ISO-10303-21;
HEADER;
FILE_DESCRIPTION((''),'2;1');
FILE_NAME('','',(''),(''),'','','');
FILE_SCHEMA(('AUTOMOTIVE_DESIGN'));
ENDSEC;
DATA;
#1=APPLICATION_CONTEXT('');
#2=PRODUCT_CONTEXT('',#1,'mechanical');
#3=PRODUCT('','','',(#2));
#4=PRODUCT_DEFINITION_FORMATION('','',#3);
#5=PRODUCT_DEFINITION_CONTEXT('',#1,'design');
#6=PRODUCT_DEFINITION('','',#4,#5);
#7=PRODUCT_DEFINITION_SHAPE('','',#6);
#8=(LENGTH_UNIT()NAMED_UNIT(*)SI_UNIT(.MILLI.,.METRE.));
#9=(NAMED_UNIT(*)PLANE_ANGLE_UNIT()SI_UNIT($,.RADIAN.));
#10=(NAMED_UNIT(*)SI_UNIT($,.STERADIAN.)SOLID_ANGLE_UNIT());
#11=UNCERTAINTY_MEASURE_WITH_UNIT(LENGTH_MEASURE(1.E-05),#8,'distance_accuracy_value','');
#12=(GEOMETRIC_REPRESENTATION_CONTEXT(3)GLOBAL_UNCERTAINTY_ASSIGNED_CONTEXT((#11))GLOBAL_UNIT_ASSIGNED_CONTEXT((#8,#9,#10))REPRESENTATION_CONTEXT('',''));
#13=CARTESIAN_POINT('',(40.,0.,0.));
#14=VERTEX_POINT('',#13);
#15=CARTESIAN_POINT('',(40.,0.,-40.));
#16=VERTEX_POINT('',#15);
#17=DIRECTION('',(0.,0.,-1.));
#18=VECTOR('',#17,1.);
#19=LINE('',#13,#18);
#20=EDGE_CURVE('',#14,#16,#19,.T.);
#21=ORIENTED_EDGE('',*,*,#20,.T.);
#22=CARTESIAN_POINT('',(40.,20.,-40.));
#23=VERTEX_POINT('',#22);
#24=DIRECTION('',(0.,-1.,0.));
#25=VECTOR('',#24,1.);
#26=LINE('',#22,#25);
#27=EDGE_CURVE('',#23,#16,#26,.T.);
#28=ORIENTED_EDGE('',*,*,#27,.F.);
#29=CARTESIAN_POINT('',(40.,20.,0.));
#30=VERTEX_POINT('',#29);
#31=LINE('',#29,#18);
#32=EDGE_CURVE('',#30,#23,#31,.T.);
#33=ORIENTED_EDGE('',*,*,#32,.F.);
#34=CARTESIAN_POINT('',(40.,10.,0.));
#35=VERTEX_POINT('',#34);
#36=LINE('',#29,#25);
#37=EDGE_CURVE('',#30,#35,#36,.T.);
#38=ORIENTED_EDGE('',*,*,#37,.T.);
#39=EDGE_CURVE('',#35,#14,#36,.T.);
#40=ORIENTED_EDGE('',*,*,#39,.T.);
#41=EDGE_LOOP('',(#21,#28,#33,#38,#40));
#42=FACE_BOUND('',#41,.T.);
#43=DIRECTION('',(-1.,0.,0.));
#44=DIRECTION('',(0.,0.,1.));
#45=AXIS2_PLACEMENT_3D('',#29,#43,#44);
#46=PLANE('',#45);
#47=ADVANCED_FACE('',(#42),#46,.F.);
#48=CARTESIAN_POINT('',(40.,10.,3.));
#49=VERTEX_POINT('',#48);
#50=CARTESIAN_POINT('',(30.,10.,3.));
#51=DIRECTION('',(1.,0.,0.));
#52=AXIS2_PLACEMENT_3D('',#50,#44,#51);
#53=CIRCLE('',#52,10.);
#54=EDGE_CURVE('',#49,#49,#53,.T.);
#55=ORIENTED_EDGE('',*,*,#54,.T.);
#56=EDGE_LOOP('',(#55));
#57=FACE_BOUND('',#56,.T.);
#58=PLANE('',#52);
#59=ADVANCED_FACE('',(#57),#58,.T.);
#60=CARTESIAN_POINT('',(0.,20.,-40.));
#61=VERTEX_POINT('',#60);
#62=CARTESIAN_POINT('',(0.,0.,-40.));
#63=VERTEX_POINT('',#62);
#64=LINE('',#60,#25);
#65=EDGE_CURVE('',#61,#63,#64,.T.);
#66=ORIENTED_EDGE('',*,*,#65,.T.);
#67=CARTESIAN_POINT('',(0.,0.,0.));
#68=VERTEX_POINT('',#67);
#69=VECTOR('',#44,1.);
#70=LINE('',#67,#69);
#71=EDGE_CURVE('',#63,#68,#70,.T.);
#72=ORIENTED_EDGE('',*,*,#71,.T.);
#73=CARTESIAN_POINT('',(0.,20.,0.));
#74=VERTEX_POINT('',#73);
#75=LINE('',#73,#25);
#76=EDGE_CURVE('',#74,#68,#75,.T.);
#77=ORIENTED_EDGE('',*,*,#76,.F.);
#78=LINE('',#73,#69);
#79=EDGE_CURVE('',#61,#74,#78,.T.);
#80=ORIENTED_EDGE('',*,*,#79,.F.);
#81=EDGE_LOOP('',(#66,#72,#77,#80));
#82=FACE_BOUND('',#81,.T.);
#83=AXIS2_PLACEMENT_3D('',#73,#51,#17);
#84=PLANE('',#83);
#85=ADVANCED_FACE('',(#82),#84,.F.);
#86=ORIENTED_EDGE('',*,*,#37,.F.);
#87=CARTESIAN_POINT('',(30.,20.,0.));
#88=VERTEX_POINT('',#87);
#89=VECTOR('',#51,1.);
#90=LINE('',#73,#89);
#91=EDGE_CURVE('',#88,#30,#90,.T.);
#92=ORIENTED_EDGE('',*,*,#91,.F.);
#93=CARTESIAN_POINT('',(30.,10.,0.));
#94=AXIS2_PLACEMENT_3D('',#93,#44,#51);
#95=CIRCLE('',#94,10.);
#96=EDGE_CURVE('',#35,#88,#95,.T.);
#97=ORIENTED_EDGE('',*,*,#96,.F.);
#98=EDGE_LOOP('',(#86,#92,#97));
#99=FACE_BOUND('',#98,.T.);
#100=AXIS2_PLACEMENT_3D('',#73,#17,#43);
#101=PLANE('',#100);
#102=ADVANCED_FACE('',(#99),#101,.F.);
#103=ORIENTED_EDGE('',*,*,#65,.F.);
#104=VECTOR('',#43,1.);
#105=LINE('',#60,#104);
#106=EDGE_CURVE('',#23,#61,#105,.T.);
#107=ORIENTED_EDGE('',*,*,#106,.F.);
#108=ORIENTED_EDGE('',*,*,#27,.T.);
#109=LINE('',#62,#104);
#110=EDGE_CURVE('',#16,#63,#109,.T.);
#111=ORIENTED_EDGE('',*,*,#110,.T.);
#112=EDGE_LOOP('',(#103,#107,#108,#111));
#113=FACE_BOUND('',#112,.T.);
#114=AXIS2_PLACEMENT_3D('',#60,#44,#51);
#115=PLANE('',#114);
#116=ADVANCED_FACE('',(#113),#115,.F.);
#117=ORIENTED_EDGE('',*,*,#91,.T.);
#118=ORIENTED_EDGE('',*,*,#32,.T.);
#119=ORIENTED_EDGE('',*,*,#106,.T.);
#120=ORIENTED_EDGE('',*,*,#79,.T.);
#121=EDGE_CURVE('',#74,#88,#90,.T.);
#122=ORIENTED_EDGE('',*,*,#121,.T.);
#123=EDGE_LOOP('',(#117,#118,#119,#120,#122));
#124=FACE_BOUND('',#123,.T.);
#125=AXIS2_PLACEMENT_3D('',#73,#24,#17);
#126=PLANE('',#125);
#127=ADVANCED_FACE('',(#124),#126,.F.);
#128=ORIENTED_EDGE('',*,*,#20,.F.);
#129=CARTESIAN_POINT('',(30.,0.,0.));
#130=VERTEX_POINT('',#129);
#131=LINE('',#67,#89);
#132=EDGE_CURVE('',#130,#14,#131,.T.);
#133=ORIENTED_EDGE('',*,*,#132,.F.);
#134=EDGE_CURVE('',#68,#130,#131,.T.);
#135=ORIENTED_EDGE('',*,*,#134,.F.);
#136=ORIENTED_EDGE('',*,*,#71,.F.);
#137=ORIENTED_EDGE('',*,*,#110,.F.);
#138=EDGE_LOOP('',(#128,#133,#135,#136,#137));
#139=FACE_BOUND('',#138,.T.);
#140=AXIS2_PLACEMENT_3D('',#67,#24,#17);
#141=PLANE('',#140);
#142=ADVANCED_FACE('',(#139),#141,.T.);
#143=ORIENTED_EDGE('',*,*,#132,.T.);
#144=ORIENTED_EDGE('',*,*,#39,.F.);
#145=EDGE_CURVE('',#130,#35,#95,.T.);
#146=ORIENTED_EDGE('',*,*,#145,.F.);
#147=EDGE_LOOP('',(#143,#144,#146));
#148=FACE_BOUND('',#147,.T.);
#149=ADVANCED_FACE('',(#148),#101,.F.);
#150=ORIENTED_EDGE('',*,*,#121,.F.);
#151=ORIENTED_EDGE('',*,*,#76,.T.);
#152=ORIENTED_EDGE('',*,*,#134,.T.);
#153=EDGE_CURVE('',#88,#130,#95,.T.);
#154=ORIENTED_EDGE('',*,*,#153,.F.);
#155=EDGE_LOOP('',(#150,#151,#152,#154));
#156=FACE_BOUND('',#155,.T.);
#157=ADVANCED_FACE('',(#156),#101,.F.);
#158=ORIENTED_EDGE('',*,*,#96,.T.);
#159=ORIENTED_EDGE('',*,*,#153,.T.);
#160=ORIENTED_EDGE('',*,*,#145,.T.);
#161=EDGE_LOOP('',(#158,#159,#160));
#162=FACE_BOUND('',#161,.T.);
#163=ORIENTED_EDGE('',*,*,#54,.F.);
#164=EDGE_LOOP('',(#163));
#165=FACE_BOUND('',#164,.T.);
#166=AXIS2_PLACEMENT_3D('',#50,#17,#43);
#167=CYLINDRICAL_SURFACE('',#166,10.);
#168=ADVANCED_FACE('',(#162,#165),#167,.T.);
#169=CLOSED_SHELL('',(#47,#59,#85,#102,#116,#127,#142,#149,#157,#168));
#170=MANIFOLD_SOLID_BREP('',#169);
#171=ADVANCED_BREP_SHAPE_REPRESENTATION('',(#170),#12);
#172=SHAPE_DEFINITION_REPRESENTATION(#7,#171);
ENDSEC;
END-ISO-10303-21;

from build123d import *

# Parameters (mm, degrees)
SKETCH1_W           = 40
SKETCH1_H           = 40
BOSS_EXTRUDE1_DEPTH = 20
SKETCH3_R           = 10
BOSS_EXTRUDE2_DEPTH = 3


with BuildPart() as part:
    # Sketch1 → Boss-Extrude1 (new body)
    with BuildSketch(Plane(origin=(0, 0, 0), x_dir=(1, 0, 0), z_dir=(0, 1, 0))):
        with Locations((20, 20)):
            Rectangle(SKETCH1_W, SKETCH1_H)
    extrude(amount=BOSS_EXTRUDE1_DEPTH)

    # Sketch3 → Boss-Extrude2 (add)
    with BuildSketch(Plane.XY):
        with Locations((30, 10)):
            Circle(SKETCH3_R)
    extrude(amount=BOSS_EXTRUDE2_DEPTH)


solid = part.part
